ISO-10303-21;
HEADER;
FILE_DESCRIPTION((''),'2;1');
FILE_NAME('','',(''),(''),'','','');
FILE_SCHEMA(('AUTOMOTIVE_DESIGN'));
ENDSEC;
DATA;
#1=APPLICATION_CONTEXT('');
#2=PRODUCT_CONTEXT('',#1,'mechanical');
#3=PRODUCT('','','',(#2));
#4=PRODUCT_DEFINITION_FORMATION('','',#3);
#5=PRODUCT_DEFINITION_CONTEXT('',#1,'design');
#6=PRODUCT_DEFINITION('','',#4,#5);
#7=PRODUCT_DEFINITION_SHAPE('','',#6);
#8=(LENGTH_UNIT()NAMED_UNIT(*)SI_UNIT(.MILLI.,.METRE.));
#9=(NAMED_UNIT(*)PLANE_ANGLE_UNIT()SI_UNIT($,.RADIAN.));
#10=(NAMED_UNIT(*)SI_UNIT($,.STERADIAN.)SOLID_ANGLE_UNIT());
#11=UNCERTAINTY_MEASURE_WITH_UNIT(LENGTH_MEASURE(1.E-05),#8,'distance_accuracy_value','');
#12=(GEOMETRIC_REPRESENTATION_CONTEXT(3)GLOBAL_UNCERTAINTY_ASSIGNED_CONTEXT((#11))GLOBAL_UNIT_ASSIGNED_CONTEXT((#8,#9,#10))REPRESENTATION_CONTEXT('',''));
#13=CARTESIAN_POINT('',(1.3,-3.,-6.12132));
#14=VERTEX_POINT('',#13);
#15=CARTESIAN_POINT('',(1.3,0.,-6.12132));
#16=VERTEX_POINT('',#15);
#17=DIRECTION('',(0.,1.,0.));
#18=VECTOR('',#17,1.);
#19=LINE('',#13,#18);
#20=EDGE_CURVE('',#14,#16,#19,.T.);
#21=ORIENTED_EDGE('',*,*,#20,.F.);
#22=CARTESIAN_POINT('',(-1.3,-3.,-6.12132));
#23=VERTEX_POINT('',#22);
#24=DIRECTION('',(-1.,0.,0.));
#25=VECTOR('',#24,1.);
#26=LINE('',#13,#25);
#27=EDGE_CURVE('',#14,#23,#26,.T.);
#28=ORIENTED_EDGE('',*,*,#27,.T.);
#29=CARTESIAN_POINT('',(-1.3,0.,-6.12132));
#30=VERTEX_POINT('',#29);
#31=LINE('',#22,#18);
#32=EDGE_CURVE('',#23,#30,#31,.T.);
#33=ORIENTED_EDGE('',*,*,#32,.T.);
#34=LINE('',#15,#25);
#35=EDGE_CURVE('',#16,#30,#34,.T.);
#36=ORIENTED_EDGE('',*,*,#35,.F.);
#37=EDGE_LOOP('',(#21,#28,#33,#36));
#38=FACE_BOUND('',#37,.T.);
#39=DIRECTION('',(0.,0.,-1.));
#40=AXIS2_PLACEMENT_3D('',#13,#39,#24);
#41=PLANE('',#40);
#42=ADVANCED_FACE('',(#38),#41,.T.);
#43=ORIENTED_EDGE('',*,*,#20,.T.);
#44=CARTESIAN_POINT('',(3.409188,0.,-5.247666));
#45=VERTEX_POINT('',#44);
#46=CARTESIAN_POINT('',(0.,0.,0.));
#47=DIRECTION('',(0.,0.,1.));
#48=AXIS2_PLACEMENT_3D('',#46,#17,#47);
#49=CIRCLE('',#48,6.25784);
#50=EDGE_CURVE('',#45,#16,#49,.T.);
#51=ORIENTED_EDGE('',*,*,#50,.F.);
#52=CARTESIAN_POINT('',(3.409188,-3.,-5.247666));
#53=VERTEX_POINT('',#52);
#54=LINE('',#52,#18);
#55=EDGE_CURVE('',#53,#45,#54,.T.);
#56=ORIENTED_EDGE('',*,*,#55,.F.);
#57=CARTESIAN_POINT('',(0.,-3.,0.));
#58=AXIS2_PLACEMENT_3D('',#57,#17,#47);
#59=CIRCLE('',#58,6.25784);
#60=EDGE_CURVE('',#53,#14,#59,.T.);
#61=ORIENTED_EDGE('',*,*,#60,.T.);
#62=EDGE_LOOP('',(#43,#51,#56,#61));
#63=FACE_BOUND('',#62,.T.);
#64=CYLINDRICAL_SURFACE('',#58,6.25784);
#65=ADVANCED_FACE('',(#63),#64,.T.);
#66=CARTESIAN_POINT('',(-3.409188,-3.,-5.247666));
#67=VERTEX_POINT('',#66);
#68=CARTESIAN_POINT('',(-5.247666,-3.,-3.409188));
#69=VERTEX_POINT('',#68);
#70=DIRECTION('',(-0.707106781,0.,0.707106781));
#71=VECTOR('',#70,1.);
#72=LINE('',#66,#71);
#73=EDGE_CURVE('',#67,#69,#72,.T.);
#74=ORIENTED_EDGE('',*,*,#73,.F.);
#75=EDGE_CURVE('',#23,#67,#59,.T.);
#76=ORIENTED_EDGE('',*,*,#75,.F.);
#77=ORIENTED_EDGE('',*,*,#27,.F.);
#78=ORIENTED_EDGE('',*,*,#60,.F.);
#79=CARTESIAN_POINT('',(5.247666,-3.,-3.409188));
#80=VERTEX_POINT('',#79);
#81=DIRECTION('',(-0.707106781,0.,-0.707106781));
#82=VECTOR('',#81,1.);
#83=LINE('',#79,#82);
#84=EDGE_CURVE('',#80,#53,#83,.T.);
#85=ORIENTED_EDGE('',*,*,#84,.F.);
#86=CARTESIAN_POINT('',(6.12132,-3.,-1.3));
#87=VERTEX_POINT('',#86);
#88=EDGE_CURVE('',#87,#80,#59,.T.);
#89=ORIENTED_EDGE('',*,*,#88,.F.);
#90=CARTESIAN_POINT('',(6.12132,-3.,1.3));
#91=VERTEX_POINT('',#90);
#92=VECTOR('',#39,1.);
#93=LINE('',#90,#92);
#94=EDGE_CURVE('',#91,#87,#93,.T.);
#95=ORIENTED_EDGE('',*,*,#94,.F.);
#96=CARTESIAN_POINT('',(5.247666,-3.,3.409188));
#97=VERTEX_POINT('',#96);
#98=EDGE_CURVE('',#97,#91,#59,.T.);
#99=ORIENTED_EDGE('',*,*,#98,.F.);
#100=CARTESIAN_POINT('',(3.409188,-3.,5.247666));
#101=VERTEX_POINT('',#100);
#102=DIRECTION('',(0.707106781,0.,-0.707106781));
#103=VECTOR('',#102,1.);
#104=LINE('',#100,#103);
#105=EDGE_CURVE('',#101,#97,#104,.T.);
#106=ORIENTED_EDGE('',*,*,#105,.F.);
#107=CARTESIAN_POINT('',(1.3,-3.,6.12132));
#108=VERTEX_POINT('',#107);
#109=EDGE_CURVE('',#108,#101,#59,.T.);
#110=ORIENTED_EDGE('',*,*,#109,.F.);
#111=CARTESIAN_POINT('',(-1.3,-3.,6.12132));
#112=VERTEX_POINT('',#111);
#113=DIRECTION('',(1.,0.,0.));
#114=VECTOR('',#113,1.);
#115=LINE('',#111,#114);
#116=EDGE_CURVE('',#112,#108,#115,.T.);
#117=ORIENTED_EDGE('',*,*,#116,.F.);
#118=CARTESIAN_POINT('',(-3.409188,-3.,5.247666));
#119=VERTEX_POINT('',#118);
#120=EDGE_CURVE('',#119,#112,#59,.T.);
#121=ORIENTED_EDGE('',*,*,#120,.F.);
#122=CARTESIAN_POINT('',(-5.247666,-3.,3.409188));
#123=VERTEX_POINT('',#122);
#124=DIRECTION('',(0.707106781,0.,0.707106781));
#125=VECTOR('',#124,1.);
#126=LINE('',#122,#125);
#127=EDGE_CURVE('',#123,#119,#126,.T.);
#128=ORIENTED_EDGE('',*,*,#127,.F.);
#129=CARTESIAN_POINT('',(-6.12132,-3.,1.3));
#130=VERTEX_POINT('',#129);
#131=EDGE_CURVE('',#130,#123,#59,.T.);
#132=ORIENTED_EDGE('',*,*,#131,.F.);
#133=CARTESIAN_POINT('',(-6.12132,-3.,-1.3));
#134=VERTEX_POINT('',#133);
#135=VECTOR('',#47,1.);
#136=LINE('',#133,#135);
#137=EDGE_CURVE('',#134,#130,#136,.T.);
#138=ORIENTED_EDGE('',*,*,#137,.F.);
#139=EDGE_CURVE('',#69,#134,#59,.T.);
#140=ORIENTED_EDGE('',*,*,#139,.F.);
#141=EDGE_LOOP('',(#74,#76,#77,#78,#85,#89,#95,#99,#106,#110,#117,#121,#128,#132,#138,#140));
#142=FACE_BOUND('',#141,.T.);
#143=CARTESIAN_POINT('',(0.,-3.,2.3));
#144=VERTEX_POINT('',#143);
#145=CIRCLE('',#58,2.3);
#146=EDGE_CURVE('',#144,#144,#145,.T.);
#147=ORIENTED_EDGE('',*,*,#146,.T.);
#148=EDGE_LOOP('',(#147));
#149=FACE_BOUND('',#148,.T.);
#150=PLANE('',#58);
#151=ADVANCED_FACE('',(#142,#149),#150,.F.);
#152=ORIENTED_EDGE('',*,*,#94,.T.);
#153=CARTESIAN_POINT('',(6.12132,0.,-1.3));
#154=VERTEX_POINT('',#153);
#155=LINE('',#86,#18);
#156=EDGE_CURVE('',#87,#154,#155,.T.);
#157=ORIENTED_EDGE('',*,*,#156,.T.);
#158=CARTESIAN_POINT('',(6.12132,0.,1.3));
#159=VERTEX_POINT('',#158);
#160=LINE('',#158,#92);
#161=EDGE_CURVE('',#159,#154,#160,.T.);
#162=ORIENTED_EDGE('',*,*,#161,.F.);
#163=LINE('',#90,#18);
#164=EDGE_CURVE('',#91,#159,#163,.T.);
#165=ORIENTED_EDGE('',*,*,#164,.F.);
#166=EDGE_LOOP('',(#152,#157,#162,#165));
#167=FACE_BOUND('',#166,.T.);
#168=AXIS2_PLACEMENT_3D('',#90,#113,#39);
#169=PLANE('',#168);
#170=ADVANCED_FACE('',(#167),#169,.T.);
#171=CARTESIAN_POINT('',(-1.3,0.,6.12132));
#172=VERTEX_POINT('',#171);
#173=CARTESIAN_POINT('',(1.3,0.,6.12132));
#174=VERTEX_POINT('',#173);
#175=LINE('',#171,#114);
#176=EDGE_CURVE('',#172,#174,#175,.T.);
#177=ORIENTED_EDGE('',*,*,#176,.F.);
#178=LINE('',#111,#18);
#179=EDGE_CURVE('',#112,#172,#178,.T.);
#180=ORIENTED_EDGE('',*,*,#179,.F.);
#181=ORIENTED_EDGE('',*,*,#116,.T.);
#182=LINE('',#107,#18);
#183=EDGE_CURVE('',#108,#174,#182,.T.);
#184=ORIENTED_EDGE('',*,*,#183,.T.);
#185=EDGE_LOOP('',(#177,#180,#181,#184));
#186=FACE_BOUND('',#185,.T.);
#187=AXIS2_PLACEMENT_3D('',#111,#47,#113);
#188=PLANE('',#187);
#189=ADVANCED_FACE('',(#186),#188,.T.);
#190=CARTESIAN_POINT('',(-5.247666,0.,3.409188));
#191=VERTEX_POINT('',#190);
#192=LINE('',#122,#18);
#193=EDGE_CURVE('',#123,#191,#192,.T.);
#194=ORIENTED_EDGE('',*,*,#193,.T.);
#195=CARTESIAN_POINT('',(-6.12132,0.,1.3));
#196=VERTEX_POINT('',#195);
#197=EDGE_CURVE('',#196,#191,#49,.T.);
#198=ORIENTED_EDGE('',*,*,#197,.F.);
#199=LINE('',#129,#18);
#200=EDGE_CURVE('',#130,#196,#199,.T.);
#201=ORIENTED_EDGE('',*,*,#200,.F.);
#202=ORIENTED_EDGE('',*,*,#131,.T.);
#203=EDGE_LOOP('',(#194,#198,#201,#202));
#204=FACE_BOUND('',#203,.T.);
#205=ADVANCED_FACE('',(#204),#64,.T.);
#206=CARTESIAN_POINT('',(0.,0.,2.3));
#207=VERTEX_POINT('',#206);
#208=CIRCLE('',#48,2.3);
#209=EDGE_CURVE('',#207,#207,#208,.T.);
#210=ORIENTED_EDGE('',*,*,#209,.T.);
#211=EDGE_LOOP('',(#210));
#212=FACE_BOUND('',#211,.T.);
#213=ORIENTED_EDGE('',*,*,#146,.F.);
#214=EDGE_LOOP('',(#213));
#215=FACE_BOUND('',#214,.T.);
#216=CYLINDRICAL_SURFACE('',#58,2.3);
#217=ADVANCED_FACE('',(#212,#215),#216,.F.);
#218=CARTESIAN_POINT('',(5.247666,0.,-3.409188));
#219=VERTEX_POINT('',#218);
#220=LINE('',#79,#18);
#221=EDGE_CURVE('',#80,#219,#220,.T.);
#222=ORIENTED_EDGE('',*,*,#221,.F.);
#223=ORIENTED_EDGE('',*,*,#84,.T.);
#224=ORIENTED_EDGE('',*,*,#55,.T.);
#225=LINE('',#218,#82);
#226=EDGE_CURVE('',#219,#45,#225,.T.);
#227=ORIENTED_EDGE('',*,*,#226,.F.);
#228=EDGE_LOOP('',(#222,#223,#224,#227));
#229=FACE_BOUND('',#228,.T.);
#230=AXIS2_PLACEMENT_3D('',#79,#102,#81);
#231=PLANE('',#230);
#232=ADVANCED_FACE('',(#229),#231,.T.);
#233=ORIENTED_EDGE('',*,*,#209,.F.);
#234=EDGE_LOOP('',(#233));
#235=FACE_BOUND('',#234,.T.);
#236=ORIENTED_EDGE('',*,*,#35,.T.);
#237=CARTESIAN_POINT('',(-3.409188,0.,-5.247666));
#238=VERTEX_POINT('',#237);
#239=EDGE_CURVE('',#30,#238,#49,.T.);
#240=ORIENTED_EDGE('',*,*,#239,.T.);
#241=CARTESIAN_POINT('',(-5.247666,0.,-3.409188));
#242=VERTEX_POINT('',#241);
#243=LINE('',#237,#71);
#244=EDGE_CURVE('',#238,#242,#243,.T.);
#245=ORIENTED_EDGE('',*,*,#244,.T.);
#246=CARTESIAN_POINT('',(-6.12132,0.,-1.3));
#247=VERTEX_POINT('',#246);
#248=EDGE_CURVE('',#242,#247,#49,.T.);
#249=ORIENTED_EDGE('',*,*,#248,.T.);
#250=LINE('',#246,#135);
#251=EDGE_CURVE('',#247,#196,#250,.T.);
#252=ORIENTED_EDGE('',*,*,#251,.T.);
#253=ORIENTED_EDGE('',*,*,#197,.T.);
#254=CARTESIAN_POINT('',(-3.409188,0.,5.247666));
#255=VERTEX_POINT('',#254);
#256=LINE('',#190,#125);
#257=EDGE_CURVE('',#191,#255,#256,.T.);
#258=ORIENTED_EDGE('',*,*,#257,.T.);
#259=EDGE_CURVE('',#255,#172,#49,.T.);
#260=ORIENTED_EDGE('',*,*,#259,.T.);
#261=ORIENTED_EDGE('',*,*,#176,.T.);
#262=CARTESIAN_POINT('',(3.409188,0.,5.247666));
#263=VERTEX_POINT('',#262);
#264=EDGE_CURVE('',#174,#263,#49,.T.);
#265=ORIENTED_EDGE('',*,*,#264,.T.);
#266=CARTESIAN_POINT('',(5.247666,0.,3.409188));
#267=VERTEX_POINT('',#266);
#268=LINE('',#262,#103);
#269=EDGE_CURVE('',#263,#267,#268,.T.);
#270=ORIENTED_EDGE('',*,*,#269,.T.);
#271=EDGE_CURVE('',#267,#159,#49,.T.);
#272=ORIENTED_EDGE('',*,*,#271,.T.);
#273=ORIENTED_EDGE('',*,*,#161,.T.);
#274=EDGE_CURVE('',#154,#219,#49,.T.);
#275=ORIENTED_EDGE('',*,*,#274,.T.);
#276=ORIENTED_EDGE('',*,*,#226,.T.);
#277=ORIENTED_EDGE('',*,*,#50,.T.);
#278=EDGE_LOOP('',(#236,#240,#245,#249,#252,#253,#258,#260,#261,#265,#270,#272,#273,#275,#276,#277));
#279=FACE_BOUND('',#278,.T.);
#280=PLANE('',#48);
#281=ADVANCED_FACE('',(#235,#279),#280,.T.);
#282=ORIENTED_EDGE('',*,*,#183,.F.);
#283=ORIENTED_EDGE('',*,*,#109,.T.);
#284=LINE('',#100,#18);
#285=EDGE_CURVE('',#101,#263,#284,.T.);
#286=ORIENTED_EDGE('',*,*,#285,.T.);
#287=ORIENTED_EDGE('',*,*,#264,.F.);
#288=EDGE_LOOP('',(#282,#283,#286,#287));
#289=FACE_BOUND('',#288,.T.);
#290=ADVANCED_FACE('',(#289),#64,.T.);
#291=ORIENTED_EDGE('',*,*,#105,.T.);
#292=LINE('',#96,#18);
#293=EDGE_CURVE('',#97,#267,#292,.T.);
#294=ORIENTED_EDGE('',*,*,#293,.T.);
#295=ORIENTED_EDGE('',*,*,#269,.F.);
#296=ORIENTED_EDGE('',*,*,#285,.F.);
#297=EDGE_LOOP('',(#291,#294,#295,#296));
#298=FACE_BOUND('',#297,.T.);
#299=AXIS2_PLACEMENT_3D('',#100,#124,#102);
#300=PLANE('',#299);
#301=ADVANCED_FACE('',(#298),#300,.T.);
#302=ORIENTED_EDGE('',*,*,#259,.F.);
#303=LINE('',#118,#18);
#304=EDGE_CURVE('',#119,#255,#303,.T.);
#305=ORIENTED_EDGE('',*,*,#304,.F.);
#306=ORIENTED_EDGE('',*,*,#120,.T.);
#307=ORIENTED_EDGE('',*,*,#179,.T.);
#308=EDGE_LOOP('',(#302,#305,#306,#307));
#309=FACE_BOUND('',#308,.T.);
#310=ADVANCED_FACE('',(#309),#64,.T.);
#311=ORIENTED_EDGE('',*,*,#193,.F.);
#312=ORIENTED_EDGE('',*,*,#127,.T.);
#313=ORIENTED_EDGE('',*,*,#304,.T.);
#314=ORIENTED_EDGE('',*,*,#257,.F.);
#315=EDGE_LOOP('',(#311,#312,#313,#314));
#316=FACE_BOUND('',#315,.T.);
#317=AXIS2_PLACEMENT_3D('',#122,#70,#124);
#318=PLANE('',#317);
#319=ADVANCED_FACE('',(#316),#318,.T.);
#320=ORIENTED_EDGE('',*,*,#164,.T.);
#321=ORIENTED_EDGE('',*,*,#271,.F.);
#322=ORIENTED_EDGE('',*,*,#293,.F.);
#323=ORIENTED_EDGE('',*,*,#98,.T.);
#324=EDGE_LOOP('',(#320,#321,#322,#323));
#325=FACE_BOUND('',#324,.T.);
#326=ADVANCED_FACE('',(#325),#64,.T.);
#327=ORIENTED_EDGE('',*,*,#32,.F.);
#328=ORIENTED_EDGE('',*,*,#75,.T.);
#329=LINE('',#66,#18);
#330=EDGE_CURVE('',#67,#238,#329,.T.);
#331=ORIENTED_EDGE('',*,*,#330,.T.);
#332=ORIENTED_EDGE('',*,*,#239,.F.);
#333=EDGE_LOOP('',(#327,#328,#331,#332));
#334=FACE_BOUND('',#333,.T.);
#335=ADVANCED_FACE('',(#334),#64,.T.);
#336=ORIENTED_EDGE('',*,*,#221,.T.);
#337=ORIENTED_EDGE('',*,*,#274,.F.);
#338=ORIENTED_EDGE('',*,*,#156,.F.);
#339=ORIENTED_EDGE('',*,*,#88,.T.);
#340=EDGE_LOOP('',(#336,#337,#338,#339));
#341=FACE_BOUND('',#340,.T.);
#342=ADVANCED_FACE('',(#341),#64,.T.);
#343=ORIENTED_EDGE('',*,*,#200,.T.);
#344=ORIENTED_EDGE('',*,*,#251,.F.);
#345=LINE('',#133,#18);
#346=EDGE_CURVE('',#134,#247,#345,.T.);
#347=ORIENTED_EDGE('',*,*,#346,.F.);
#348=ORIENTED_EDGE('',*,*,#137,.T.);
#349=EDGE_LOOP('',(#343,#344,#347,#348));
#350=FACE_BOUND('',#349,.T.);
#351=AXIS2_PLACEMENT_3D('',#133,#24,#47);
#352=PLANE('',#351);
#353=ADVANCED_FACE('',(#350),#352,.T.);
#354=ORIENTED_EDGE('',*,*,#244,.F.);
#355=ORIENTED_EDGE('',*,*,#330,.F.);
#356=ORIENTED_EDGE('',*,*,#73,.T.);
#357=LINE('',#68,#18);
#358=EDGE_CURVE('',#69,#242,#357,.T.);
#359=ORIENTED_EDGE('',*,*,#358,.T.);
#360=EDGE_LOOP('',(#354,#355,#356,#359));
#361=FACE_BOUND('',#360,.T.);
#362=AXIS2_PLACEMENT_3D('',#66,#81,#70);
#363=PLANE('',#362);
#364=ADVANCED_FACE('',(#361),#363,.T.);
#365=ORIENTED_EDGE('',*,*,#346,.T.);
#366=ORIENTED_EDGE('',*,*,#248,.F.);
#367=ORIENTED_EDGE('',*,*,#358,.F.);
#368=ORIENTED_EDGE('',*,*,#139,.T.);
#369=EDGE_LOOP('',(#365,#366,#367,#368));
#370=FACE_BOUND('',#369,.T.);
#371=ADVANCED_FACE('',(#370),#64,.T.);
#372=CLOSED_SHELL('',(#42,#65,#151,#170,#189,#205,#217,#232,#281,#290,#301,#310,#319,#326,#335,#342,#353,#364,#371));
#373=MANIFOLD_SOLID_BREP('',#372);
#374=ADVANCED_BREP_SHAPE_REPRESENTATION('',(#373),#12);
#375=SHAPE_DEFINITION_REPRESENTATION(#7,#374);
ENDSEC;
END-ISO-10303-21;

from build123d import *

# Parameters (mm, degrees)
SKETCH1_R           = 2.3
BOSS_EXTRUDE1_DEPTH = 3


with BuildPart() as part:
    # Sketch1 → Boss-Extrude1 (new body)
    with BuildSketch(Plane(origin=(0, 0, 0), x_dir=(1, 0, 0), z_dir=(0, 1, 0))):
        with BuildLine():
            Line((3.409188309, -5.24766594), (5.24766594, -3.409188309))
            ThreePointArc((5.24766594, -3.409188309), (5.781490388, -2.39477173), (6.121320344, -1.3))
            Line((6.121320344, -1.3), (6.121320344, 1.3))
            ThreePointArc((6.121320344, 1.3), (5.781490388, 2.39477173), (5.24766594, 3.409188309))
            Line((5.24766594, 3.409188309), (3.409188309, 5.24766594))
            ThreePointArc((3.409188309, 5.24766594), (2.39477173, 5.781490388), (1.3, 6.121320344))
            Line((1.3, 6.121320344), (-1.3, 6.121320344))
            ThreePointArc((-1.3, 6.121320344), (-2.39477173, 5.781490388), (-3.409188309, 5.24766594))
            Line((-3.409188309, 5.24766594), (-5.24766594, 3.409188309))
            ThreePointArc((-5.24766594, 3.409188309), (-5.781490388, 2.39477173), (-6.121320344, 1.3))
            Line((-6.121320344, 1.3), (-6.121320344, -1.3))
            ThreePointArc((-6.121320344, -1.3), (-5.781490388, -2.39477173), (-5.24766594, -3.409188309))
            Line((-5.24766594, -3.409188309), (-3.409188309, -5.24766594))
            ThreePointArc((-3.409188309, -5.24766594), (-2.39477173, -5.781490388), (-1.3, -6.121320344))
            Line((-1.3, -6.121320344), (1.3, -6.121320344))
            ThreePointArc((1.3, -6.121320344), (2.39477173, -5.781490388), (3.409188309, -5.24766594))
        make_face()
        with Locations(Location((0, 0, 0), (0, 0, 270))):
            Circle(SKETCH1_R, mode=Mode.SUBTRACT)
    extrude(amount=-BOSS_EXTRUDE1_DEPTH)


solid = part.part
